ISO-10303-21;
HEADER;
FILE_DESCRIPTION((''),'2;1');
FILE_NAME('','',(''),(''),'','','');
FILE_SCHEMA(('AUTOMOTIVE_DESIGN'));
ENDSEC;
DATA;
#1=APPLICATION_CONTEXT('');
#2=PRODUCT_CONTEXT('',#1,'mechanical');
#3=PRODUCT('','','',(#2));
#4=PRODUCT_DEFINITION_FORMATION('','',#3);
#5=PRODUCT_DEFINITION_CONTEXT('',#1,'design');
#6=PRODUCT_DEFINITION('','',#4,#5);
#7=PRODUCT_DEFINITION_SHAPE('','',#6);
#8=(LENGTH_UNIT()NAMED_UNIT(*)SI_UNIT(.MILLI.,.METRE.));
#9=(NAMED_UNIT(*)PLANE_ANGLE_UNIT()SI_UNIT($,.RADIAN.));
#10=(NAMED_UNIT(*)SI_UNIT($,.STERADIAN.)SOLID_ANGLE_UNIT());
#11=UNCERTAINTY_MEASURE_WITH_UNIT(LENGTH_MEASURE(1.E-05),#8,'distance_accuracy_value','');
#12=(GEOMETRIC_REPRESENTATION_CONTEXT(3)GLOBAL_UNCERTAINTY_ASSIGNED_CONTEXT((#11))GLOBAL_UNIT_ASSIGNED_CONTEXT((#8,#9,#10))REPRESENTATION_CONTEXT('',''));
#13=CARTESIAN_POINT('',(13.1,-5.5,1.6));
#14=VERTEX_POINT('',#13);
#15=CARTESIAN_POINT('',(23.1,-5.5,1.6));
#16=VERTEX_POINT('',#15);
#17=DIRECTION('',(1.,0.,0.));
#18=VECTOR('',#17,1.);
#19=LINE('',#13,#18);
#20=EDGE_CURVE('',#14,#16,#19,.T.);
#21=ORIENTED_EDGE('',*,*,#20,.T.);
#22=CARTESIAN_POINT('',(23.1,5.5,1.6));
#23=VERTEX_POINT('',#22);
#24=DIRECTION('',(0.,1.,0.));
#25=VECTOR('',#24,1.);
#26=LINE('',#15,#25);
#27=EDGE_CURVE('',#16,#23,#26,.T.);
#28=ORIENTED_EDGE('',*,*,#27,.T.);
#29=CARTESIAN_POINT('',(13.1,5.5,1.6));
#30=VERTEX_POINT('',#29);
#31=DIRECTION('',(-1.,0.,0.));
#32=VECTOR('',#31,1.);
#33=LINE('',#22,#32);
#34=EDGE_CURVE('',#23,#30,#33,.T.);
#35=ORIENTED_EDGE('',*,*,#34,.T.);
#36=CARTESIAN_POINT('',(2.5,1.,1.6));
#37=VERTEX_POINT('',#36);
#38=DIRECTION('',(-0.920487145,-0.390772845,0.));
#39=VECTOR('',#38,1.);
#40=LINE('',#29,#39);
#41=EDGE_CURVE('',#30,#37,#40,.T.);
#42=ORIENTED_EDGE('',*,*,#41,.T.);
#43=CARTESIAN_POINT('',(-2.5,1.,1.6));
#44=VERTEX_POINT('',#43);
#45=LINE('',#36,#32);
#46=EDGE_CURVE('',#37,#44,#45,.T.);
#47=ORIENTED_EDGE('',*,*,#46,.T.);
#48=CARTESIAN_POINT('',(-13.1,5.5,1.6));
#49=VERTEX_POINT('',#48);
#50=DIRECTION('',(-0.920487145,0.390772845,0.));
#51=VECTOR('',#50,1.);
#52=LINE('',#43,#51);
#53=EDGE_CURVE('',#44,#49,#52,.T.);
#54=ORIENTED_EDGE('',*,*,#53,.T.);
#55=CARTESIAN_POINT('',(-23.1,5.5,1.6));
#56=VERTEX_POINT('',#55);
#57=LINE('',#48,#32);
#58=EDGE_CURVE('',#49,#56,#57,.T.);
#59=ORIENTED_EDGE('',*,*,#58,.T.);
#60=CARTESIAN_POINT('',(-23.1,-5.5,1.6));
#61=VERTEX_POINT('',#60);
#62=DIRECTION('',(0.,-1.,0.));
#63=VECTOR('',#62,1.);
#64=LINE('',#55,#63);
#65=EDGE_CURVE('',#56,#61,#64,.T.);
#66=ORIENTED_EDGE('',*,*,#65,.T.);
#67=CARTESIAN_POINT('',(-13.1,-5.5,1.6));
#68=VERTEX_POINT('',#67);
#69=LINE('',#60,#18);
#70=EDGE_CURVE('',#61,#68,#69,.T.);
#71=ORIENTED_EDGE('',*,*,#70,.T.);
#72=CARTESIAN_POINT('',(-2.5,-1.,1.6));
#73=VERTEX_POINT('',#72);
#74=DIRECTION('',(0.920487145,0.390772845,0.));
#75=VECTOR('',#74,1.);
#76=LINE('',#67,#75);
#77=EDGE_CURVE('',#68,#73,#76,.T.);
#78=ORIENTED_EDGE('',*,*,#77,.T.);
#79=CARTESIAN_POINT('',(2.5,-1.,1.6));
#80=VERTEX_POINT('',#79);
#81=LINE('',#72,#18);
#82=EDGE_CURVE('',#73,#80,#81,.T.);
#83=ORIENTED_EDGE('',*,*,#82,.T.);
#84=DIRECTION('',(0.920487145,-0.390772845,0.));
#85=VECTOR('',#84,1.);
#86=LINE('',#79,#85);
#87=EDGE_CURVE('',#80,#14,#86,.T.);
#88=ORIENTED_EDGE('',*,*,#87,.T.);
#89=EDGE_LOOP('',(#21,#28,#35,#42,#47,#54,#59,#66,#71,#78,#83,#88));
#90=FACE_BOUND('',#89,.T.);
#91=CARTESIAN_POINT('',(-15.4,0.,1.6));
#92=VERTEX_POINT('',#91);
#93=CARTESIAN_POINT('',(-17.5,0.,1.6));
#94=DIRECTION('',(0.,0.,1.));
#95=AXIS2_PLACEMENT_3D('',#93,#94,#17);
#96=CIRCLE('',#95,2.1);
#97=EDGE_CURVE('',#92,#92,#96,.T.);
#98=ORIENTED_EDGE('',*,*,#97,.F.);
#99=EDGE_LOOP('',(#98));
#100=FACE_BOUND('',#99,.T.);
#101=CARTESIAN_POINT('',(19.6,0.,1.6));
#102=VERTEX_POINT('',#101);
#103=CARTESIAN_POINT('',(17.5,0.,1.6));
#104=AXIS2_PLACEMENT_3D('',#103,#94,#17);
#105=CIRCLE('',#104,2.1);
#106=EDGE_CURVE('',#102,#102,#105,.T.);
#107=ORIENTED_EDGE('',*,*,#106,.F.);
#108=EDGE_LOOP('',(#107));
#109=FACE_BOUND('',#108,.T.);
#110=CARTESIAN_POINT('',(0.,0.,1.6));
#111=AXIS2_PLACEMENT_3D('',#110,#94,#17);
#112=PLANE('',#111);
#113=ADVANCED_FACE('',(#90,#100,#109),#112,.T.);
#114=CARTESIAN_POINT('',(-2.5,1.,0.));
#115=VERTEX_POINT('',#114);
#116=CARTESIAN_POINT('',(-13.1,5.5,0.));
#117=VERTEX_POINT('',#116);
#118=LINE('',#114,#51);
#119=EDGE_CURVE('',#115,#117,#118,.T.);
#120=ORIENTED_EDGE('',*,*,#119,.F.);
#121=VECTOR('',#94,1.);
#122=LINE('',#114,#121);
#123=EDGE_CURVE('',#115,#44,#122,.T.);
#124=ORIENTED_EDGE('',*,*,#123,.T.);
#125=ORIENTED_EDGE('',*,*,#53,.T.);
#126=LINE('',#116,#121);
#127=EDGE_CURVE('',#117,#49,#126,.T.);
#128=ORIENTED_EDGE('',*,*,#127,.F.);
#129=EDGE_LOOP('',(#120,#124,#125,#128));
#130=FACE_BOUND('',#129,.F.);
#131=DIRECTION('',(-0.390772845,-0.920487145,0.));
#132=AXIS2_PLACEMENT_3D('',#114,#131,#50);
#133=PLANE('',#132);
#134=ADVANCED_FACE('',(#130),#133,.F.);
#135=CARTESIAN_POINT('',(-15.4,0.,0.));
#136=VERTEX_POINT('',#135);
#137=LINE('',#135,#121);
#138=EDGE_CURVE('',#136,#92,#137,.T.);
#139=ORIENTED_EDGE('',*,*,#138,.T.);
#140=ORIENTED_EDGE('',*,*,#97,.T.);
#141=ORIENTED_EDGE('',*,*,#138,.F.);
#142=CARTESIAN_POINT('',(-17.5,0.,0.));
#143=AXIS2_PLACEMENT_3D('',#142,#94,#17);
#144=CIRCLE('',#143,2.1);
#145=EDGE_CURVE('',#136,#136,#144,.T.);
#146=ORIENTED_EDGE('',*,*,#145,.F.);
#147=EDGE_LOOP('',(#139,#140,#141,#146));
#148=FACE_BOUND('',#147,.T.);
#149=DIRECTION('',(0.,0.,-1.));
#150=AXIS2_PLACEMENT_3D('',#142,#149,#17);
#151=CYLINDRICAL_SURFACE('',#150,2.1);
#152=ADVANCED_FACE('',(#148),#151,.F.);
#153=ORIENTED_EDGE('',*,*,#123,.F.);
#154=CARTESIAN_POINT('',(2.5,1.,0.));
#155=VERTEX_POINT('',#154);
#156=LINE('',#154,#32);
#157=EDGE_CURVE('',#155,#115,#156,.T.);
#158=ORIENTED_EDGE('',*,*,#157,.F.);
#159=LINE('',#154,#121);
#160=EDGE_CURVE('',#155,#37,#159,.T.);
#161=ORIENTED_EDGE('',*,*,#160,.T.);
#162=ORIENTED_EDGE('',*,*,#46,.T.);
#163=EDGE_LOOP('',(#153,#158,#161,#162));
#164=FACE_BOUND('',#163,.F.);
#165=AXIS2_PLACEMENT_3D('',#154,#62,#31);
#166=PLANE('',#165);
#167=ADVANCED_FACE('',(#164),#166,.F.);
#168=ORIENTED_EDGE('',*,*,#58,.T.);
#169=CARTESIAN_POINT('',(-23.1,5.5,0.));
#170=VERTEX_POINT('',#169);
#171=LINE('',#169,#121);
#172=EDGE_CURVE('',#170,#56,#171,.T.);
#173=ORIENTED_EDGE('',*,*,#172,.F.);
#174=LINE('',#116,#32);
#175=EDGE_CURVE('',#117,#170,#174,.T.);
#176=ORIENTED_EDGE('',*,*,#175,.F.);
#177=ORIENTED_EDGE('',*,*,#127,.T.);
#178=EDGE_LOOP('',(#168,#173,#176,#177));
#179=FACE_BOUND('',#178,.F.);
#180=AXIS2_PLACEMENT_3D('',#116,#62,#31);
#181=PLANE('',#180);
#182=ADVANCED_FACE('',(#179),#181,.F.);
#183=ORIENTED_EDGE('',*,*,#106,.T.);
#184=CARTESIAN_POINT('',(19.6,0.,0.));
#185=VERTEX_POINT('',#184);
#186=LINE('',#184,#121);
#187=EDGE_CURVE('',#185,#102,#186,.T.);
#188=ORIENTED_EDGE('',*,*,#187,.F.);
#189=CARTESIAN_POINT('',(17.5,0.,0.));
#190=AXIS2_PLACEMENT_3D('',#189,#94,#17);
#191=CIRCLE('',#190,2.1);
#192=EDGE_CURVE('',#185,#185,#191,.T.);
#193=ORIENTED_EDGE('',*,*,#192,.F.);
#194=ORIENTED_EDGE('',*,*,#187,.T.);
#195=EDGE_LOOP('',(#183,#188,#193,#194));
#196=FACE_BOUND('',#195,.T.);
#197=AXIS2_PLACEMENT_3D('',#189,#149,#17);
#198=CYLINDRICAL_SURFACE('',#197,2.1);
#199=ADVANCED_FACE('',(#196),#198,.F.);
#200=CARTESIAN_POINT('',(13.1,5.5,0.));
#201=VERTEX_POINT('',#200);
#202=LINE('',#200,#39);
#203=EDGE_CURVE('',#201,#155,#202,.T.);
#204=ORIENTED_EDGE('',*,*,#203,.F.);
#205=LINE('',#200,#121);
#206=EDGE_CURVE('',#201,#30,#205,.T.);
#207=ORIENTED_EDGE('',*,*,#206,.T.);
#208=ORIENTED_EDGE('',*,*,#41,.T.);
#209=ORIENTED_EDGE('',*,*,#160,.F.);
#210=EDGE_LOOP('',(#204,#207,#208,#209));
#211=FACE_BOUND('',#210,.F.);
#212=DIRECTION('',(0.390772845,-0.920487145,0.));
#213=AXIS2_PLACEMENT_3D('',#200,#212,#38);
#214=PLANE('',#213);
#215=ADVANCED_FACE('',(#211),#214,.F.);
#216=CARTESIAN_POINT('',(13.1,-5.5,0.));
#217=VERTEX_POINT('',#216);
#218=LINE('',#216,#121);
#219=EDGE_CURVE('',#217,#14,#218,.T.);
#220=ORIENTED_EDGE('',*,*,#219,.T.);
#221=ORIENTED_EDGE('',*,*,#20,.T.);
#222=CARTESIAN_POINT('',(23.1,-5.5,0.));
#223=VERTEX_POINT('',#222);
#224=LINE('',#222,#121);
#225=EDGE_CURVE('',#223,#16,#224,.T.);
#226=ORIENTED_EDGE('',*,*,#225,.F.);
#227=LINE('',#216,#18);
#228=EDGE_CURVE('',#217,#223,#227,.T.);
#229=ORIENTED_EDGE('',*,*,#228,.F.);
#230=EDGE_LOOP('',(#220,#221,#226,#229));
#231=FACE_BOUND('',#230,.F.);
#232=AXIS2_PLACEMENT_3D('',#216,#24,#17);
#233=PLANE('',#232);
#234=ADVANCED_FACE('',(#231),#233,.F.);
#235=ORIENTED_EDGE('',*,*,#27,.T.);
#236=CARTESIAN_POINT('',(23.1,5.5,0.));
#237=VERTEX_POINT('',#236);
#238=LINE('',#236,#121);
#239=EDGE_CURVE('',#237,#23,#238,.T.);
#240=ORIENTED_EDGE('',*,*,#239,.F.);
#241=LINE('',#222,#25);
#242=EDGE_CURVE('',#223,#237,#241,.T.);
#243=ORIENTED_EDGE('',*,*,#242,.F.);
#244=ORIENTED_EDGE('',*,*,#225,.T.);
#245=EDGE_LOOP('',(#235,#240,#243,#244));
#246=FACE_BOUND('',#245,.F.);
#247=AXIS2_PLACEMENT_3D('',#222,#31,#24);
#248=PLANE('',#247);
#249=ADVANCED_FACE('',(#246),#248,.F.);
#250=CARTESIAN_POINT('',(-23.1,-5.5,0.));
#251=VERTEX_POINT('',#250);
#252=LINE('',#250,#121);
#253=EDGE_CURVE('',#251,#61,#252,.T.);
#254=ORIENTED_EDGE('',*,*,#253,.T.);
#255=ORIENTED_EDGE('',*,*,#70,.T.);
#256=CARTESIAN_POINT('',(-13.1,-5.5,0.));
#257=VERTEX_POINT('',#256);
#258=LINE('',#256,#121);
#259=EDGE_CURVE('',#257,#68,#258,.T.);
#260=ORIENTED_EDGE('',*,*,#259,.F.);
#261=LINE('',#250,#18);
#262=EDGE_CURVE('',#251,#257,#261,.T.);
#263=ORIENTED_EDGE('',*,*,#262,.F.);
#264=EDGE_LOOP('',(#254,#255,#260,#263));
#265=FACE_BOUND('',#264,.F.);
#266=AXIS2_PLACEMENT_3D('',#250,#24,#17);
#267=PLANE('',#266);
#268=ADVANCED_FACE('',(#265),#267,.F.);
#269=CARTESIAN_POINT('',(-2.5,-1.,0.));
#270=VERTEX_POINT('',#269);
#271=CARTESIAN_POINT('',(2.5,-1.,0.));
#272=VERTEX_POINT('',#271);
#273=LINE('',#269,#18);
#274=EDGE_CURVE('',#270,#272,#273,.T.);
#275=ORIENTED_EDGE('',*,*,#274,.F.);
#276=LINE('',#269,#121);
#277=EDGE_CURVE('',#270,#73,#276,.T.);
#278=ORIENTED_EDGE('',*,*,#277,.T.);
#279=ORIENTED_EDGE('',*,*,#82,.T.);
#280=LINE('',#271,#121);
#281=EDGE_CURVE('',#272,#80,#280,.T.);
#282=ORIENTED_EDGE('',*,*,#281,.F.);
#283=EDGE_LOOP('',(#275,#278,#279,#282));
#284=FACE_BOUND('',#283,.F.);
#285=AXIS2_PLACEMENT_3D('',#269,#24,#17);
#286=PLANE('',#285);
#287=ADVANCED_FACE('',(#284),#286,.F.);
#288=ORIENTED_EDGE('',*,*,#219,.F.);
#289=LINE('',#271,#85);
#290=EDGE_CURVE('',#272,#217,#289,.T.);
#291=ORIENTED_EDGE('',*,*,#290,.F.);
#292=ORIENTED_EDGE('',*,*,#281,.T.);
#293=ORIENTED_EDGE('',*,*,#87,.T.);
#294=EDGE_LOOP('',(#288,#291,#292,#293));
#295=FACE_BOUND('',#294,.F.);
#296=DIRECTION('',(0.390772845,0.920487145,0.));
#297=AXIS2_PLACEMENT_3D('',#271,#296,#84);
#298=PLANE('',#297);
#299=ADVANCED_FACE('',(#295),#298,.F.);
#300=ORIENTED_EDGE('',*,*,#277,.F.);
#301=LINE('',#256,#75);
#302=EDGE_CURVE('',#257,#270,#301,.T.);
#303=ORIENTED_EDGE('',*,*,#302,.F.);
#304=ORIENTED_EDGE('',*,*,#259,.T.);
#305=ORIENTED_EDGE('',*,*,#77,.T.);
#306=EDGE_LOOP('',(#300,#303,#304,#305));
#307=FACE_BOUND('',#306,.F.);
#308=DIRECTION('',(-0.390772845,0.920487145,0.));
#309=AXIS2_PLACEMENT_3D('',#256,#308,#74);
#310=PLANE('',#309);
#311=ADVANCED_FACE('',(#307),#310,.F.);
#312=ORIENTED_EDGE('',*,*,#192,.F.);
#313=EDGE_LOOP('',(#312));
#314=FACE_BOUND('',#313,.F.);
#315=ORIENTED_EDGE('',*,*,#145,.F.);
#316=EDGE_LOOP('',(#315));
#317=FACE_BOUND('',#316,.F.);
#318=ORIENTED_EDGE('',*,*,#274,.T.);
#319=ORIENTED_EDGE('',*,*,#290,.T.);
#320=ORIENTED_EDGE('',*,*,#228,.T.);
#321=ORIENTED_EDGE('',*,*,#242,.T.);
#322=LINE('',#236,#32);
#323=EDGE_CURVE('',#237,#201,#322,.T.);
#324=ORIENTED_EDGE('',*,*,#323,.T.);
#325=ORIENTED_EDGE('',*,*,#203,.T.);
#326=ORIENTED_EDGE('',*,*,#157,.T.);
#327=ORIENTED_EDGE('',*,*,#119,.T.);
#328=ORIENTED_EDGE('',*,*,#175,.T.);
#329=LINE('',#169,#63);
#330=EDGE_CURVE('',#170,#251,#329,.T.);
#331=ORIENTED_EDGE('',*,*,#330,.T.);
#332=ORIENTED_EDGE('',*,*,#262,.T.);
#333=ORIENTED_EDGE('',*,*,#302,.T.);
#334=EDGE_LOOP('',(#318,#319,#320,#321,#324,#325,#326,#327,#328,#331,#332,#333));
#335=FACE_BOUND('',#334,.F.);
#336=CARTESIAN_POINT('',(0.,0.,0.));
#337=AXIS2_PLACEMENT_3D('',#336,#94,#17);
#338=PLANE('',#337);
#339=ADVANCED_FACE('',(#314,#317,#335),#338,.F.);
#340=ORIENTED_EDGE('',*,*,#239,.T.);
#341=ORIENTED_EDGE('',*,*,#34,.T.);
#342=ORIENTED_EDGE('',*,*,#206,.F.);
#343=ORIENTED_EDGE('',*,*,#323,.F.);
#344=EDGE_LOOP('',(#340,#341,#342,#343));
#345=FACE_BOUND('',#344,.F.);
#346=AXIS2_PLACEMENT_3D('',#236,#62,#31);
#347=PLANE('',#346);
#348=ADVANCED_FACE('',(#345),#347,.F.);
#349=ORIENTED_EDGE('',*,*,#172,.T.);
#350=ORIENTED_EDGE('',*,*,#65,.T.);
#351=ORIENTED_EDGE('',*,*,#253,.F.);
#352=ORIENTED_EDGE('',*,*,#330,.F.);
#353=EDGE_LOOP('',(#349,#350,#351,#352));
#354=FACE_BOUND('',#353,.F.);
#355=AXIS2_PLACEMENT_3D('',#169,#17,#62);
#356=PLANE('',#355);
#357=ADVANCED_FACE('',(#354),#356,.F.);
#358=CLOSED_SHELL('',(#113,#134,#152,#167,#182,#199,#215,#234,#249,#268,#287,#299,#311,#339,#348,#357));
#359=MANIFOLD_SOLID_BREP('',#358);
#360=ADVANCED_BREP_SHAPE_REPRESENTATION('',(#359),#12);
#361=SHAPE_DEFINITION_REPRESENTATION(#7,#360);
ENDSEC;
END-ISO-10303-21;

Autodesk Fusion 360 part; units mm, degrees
sketch "Boceto1" plane through (0, 0, 0) normal (0, 0, 1) x (1, 0, 0)
  line L0 (-23.1, 5.5) -> (-23.1, -5.5)
  line L1 (-23.1, -5.5) -> (-13.1, -5.5)
  line L2 (-13.1, -5.5) -> (-2.5, -1)
  line L3 (-2.5, -1) -> (2.5, -1)
  line L4 (2.5, -1) -> (13.1, -5.5)
  line L5 (13.1, -5.5) -> (23.1, -5.5)
  line L6 (23.1, -5.5) -> (23.1, 5.5)
  line L7 (23.1, 5.5) -> (13.1, 5.5)
  line L8 (13.1, 5.5) -> (2.5, 1)
  line L9 (2.5, 1) -> (-2.5, 1)
  line L10 (-2.5, 1) -> (-13.1, 5.5)
  line L11 (-13.1, 5.5) -> (-23.1, 5.5)
  line L12 (0, -1) -> (0, 1) construction
  line L13 (-23.1, 0) -> (23.1, 0) construction
  circle A0 centre (-17.5, 0) radius 2.1
  circle A1 centre (17.5, 0) radius 2.1
  point P0 (-19.6, 0)
  point P1 (-17.5, -2.1)
  dimension "d1" = 11
  dimension "d2" = 4.2
  dimension "d3" = 5
  dimension "d4" = 3.5
  dimension "d5" = 35
  dimension "d6" = 2
  dimension "d7" = 10
  dimension "d8" = 3.4
extrude "Extruir1" add sketch "Boceto1" along normal blind 1.6
